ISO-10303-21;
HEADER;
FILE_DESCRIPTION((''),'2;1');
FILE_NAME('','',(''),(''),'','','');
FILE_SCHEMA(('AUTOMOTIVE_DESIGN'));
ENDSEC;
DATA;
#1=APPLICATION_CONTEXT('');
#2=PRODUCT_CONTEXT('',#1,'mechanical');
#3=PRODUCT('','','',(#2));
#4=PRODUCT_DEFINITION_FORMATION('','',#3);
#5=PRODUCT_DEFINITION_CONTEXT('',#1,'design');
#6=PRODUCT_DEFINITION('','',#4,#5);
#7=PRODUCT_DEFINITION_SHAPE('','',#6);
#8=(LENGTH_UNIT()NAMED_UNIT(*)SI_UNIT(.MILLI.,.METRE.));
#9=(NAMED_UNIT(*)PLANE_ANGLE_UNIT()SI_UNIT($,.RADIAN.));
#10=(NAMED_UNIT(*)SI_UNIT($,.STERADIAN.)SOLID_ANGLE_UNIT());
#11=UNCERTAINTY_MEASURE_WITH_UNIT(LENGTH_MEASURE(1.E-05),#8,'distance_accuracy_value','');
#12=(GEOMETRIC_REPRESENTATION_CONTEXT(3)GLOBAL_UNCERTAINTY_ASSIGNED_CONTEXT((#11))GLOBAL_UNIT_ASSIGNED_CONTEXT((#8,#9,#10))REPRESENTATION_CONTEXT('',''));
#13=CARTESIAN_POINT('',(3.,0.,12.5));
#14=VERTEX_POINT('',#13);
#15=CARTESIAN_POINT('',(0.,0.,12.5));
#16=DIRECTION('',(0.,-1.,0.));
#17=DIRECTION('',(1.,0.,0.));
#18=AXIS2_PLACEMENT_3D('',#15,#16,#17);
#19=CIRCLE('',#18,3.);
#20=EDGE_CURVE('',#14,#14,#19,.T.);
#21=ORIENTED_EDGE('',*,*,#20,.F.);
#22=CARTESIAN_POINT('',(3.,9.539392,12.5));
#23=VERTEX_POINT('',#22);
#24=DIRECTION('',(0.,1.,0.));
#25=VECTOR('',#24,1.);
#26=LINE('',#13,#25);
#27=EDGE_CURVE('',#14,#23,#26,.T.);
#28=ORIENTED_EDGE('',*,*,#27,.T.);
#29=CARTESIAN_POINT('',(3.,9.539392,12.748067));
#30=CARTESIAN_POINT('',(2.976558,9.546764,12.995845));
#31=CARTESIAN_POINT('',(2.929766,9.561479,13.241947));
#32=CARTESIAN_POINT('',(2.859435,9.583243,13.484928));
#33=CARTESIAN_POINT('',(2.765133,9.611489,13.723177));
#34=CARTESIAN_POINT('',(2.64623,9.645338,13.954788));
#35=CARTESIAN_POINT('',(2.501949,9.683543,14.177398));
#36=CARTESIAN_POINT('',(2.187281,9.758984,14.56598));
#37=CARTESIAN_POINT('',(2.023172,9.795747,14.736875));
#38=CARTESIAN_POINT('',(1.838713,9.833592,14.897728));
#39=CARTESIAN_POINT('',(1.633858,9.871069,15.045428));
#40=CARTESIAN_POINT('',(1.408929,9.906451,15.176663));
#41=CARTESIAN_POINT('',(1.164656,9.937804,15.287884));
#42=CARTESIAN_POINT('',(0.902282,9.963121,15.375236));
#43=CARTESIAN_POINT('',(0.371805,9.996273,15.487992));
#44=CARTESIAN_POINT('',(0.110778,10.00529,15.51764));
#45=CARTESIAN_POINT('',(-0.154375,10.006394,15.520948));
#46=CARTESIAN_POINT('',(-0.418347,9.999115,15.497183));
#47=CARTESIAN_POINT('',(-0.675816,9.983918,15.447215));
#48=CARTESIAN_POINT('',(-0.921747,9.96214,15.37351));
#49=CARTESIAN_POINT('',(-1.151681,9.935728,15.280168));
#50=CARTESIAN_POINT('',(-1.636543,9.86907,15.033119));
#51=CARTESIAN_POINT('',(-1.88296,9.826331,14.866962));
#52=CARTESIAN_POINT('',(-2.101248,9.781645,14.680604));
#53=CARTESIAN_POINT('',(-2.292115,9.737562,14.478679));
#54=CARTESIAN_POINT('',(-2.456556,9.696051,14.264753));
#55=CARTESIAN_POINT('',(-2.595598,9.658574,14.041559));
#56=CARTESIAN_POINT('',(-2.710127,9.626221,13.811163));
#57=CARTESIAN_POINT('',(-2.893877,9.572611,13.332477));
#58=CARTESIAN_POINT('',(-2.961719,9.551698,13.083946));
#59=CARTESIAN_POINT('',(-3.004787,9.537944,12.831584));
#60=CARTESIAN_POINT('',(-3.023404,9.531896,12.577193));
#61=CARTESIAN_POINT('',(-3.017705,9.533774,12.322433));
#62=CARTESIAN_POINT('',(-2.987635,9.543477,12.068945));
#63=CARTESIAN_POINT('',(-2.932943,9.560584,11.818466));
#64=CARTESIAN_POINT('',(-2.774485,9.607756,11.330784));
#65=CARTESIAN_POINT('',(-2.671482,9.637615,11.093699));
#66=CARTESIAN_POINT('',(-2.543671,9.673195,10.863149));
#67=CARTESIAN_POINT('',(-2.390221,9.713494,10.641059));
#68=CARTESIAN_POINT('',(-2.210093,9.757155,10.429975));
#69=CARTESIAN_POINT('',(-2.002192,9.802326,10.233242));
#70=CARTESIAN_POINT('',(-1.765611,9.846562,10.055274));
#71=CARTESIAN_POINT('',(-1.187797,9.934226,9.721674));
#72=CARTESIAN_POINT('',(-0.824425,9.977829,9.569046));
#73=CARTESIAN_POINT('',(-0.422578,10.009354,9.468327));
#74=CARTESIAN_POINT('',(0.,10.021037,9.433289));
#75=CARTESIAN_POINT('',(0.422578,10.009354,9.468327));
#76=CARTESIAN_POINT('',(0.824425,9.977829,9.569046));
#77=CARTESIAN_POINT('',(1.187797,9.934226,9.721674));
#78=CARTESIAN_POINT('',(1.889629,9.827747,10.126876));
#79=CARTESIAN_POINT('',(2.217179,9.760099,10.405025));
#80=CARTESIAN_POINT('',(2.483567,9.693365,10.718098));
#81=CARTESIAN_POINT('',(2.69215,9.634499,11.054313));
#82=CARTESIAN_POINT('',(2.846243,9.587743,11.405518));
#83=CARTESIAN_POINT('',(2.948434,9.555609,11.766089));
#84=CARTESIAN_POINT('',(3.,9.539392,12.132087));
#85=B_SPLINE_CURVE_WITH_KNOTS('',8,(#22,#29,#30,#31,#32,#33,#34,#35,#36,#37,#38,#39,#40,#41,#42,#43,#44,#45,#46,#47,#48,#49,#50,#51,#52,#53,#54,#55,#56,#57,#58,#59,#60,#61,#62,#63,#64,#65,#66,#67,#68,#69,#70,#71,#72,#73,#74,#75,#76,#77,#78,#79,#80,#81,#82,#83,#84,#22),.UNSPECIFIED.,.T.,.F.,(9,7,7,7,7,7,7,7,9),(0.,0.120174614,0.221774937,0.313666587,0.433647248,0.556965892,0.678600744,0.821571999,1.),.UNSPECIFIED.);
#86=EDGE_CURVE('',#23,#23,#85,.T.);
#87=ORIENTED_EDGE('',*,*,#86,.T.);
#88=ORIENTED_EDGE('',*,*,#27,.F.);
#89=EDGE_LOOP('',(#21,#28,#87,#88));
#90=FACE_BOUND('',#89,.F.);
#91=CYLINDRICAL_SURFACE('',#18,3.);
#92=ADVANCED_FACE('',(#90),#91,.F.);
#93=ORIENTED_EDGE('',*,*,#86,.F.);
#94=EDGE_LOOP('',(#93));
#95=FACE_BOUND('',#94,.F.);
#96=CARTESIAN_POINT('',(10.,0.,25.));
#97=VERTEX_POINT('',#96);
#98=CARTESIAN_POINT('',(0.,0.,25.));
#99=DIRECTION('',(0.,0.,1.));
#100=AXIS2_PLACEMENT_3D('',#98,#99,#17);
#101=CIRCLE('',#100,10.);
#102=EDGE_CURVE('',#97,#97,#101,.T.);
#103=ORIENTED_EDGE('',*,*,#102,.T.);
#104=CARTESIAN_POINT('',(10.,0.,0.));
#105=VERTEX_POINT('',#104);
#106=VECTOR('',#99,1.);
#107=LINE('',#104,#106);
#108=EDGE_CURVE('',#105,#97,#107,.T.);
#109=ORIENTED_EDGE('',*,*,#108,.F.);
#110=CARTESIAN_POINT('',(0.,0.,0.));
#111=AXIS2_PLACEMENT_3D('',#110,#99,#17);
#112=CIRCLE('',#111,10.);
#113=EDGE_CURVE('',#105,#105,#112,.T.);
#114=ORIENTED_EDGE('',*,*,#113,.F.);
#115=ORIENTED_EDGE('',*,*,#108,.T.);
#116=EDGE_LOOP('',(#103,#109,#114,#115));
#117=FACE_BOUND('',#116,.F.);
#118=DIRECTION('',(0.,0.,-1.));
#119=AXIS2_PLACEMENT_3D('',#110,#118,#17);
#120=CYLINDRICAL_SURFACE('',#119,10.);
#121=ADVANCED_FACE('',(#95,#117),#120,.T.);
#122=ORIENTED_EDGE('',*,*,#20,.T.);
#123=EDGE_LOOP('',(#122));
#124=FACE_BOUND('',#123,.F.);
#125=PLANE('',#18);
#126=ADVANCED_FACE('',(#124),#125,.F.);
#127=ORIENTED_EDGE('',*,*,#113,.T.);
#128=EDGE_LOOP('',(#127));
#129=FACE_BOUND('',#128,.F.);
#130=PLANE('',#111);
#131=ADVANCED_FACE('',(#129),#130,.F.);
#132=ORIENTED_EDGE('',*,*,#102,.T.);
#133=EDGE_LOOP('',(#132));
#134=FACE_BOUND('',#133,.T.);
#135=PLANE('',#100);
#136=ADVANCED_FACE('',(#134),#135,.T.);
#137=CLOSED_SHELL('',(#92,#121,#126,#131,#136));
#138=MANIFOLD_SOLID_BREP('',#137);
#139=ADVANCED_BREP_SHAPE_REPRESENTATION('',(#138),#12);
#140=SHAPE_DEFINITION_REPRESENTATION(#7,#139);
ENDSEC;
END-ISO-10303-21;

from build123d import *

# Parameters (mm, degrees)
F0_R     = 10
F1_DEPTH = 25
F2_R     = 3
F3_DEPTH = 25


with BuildPart() as f1:
    # F0 (on Top) → F1 (new body)
    with BuildSketch(Plane.XY):
        Circle(F0_R)
    extrude(amount=F1_DEPTH)

    # F2 (on Front) → F3 (cut)
    with BuildSketch(Plane.XZ):
        with Locations((0, 12.5)):
            Circle(F2_R)
    extrude(amount=-F3_DEPTH, mode=Mode.SUBTRACT)


solid = f1.part
